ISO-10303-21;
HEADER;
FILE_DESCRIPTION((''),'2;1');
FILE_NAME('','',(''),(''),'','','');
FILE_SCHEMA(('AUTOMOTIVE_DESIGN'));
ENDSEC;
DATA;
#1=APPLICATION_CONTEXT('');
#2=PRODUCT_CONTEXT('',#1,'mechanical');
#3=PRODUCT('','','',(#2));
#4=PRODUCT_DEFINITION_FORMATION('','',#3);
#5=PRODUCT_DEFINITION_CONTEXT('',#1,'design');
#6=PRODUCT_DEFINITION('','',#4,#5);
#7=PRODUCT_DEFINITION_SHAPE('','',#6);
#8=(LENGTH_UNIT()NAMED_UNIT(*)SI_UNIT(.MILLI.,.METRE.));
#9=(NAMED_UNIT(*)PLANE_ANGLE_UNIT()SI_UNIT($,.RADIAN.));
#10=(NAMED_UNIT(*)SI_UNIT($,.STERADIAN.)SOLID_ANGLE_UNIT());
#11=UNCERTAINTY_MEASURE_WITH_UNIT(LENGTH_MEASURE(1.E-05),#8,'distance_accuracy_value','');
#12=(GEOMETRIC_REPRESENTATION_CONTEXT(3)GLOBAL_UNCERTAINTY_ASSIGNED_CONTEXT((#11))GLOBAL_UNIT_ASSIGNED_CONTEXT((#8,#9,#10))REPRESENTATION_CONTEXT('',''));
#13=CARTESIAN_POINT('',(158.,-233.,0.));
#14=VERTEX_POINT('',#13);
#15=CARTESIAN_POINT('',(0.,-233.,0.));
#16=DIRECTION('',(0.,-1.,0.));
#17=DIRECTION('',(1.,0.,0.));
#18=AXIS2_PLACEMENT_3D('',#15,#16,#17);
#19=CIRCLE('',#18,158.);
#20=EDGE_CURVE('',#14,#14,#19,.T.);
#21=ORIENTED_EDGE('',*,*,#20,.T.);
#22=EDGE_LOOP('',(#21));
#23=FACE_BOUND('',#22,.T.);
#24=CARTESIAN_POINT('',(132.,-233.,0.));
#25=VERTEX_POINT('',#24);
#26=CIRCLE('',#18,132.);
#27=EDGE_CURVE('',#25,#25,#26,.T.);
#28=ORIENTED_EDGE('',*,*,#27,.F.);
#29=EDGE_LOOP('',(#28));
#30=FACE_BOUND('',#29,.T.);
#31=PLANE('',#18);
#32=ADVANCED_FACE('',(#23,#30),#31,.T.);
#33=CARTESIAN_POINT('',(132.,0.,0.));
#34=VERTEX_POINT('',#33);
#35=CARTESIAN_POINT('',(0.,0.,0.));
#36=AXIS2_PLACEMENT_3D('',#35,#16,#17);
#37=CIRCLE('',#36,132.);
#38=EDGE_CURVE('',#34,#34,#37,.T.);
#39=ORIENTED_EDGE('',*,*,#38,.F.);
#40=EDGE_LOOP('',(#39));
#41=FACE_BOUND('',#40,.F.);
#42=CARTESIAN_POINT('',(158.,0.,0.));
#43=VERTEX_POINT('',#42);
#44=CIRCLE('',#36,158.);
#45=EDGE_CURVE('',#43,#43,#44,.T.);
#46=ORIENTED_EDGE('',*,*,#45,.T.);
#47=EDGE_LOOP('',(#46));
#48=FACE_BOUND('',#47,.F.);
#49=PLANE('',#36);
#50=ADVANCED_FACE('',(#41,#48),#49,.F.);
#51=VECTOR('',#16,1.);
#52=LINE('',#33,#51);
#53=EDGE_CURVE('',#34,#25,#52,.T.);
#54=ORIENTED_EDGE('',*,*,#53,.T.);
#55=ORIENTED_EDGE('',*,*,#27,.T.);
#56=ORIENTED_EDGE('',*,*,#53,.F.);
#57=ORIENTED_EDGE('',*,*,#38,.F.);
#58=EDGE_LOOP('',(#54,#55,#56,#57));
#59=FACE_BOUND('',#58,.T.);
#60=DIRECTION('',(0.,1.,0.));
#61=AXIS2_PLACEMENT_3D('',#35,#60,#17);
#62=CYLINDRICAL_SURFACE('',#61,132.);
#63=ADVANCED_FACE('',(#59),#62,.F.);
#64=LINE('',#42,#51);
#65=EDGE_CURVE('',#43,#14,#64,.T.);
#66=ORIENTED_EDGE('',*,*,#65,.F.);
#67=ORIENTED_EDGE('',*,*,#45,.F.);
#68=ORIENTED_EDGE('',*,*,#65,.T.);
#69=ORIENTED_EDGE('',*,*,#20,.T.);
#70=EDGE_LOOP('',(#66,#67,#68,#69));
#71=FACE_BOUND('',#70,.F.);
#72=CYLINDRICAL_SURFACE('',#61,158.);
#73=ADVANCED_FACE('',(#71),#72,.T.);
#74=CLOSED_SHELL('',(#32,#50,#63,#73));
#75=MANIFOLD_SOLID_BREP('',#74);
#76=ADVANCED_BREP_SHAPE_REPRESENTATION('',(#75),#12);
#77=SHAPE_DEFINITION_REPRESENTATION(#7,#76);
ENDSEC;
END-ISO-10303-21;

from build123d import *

# Parameters (mm, degrees)
F1_R     = 158
F2_DEPTH = 233
F0_R     = 132
F3_DEPTH = 233


with BuildPart() as f2:
    # F1 (on face) → F2 (new body)
    with BuildSketch(Plane.XZ):
        Circle(F1_R)
    extrude(amount=F2_DEPTH)

    # F0 (on Front) → F3 (cut)
    with BuildSketch(Plane.XZ):
        Circle(F0_R)
    extrude(amount=F3_DEPTH, mode=Mode.SUBTRACT)


solid = f2.part
